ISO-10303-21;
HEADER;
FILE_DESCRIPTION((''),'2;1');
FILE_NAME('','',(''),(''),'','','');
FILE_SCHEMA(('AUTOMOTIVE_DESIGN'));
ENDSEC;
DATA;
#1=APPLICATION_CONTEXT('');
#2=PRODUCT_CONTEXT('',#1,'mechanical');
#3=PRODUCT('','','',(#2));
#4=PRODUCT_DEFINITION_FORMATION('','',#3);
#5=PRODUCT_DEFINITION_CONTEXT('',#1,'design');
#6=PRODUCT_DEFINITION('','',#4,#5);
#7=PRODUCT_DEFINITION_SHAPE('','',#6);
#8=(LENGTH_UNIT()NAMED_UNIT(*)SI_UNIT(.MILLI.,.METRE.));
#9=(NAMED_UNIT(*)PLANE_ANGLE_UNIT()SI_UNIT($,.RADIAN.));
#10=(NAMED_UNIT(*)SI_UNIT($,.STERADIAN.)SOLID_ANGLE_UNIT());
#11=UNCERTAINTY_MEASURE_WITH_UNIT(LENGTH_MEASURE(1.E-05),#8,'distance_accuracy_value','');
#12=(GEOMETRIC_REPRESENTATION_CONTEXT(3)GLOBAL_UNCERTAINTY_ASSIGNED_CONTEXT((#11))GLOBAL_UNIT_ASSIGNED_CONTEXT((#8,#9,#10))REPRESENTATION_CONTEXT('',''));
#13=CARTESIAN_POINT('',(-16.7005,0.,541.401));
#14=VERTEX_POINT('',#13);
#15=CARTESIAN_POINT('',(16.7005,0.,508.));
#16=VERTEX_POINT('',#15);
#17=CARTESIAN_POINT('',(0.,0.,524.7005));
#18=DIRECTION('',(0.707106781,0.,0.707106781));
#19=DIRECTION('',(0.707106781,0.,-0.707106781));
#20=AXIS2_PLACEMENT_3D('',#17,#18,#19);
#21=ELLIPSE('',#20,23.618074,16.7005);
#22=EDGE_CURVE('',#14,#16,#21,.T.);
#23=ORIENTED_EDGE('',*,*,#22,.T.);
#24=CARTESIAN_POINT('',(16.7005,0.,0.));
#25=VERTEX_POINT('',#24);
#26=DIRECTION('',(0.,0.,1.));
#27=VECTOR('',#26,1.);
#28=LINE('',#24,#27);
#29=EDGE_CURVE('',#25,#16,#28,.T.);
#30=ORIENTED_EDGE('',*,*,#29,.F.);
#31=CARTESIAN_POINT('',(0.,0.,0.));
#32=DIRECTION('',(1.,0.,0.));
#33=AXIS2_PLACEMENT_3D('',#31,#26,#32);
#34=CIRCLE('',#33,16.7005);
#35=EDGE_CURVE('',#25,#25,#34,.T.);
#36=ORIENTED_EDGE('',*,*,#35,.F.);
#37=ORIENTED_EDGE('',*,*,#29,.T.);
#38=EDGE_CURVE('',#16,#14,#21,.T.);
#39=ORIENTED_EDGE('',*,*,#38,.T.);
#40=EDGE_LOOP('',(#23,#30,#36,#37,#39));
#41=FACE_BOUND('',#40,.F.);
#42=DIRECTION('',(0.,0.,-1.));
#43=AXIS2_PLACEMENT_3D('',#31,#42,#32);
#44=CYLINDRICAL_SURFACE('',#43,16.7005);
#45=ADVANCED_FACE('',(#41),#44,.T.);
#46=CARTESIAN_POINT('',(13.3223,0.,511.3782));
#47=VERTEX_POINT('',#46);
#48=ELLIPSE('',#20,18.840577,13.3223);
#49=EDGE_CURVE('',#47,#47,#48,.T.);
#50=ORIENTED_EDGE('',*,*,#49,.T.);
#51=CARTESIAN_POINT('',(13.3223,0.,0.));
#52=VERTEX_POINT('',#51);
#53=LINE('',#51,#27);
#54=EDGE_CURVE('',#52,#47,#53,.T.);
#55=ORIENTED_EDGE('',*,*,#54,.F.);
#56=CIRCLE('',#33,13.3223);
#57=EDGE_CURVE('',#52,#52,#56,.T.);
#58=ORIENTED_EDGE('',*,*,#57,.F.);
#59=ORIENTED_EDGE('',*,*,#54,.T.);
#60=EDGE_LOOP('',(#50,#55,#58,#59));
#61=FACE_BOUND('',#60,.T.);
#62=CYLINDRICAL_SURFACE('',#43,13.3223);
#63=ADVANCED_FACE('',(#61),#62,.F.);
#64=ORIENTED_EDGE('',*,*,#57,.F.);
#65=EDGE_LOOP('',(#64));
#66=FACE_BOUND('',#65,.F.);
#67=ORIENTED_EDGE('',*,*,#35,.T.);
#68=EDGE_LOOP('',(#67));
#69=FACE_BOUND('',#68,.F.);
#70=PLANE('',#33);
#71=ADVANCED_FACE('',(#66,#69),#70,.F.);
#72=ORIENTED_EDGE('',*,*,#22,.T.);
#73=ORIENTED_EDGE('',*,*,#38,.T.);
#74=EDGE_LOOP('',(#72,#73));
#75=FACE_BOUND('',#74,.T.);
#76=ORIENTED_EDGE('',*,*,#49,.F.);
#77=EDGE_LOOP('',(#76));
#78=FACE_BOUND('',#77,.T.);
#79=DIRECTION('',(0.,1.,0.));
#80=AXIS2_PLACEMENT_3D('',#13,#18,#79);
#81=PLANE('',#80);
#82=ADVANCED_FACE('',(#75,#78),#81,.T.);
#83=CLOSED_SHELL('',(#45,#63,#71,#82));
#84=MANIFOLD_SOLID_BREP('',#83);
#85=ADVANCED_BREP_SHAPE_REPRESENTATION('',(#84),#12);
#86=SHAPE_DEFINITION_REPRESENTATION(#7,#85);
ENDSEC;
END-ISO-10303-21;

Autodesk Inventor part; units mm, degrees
ref_plane "Start plane" through (0, 0, 0) normal (0, 0, 1) x (1, 0, 0)
ref_plane "End plane" through (0, 0, 541.401) normal (0, 0, 1) x (1, 0, 0)
sketch "Sketch" plane through (0, 0, 0) normal (0, 0, 1) x (1, 0, 0)
  circle A0 centre (0, 0) radius 13.3223
  circle A1 centre (0, 0) radius 16.7005
  dimension "d0" = 33.401
  dimension "d1" = 3.3782
extrude "Body" add sketch "Sketch" along normal up to surface (541.401 mm away) from surface at 0
sketch "Sketch3" plane through (0, 0, 0) normal (0, 0, 1) x (1, 0, 0)
  line L0 (0, 0) -> (10, 0)
ref_plane "Work Plane3" through (0, 0, 0) normal (0, -1, 0) x (1, 0, 0)
sketch "Sketch4" plane through (0, 0, 0) normal (0, -1, 0) x (1, 0, 0)
  line L0 (-2, 0) -> (12, 0)
  line L1 (-2, 541.401) -> (12, 541.401)
  dimension "d7" = 541.401
ref_plane "Work Plane4" through (-16.7005, 0, 541.401) normal (0.7071, 0, 0.7071) x (0.7071, 0, -0.7071)
split "Split1" plane through (-16.7005, 0, 541.401) removes the side toward (0.7071, 0, 0.7071)
equation "\"d0\" = G_H"
equation "\"d1\" = G_T"
equation "\"d2\" = G_L"
equation "\"G_H\" = 33.401"
equation "\"G_T\" = 3.3782"
equation "\"G_L\" = d7"
equation "\"G_OFFSET_START\" = 0"
equation "\"G_OFFSET_END\" = 33.401"
equation "\"d5\" = G_OFFSET_END + B_L"
equation "\"B_L\" = 508"
properties part number "ANSI - 1 x 0.133 - 21.315" material "Aluminum 6061"
